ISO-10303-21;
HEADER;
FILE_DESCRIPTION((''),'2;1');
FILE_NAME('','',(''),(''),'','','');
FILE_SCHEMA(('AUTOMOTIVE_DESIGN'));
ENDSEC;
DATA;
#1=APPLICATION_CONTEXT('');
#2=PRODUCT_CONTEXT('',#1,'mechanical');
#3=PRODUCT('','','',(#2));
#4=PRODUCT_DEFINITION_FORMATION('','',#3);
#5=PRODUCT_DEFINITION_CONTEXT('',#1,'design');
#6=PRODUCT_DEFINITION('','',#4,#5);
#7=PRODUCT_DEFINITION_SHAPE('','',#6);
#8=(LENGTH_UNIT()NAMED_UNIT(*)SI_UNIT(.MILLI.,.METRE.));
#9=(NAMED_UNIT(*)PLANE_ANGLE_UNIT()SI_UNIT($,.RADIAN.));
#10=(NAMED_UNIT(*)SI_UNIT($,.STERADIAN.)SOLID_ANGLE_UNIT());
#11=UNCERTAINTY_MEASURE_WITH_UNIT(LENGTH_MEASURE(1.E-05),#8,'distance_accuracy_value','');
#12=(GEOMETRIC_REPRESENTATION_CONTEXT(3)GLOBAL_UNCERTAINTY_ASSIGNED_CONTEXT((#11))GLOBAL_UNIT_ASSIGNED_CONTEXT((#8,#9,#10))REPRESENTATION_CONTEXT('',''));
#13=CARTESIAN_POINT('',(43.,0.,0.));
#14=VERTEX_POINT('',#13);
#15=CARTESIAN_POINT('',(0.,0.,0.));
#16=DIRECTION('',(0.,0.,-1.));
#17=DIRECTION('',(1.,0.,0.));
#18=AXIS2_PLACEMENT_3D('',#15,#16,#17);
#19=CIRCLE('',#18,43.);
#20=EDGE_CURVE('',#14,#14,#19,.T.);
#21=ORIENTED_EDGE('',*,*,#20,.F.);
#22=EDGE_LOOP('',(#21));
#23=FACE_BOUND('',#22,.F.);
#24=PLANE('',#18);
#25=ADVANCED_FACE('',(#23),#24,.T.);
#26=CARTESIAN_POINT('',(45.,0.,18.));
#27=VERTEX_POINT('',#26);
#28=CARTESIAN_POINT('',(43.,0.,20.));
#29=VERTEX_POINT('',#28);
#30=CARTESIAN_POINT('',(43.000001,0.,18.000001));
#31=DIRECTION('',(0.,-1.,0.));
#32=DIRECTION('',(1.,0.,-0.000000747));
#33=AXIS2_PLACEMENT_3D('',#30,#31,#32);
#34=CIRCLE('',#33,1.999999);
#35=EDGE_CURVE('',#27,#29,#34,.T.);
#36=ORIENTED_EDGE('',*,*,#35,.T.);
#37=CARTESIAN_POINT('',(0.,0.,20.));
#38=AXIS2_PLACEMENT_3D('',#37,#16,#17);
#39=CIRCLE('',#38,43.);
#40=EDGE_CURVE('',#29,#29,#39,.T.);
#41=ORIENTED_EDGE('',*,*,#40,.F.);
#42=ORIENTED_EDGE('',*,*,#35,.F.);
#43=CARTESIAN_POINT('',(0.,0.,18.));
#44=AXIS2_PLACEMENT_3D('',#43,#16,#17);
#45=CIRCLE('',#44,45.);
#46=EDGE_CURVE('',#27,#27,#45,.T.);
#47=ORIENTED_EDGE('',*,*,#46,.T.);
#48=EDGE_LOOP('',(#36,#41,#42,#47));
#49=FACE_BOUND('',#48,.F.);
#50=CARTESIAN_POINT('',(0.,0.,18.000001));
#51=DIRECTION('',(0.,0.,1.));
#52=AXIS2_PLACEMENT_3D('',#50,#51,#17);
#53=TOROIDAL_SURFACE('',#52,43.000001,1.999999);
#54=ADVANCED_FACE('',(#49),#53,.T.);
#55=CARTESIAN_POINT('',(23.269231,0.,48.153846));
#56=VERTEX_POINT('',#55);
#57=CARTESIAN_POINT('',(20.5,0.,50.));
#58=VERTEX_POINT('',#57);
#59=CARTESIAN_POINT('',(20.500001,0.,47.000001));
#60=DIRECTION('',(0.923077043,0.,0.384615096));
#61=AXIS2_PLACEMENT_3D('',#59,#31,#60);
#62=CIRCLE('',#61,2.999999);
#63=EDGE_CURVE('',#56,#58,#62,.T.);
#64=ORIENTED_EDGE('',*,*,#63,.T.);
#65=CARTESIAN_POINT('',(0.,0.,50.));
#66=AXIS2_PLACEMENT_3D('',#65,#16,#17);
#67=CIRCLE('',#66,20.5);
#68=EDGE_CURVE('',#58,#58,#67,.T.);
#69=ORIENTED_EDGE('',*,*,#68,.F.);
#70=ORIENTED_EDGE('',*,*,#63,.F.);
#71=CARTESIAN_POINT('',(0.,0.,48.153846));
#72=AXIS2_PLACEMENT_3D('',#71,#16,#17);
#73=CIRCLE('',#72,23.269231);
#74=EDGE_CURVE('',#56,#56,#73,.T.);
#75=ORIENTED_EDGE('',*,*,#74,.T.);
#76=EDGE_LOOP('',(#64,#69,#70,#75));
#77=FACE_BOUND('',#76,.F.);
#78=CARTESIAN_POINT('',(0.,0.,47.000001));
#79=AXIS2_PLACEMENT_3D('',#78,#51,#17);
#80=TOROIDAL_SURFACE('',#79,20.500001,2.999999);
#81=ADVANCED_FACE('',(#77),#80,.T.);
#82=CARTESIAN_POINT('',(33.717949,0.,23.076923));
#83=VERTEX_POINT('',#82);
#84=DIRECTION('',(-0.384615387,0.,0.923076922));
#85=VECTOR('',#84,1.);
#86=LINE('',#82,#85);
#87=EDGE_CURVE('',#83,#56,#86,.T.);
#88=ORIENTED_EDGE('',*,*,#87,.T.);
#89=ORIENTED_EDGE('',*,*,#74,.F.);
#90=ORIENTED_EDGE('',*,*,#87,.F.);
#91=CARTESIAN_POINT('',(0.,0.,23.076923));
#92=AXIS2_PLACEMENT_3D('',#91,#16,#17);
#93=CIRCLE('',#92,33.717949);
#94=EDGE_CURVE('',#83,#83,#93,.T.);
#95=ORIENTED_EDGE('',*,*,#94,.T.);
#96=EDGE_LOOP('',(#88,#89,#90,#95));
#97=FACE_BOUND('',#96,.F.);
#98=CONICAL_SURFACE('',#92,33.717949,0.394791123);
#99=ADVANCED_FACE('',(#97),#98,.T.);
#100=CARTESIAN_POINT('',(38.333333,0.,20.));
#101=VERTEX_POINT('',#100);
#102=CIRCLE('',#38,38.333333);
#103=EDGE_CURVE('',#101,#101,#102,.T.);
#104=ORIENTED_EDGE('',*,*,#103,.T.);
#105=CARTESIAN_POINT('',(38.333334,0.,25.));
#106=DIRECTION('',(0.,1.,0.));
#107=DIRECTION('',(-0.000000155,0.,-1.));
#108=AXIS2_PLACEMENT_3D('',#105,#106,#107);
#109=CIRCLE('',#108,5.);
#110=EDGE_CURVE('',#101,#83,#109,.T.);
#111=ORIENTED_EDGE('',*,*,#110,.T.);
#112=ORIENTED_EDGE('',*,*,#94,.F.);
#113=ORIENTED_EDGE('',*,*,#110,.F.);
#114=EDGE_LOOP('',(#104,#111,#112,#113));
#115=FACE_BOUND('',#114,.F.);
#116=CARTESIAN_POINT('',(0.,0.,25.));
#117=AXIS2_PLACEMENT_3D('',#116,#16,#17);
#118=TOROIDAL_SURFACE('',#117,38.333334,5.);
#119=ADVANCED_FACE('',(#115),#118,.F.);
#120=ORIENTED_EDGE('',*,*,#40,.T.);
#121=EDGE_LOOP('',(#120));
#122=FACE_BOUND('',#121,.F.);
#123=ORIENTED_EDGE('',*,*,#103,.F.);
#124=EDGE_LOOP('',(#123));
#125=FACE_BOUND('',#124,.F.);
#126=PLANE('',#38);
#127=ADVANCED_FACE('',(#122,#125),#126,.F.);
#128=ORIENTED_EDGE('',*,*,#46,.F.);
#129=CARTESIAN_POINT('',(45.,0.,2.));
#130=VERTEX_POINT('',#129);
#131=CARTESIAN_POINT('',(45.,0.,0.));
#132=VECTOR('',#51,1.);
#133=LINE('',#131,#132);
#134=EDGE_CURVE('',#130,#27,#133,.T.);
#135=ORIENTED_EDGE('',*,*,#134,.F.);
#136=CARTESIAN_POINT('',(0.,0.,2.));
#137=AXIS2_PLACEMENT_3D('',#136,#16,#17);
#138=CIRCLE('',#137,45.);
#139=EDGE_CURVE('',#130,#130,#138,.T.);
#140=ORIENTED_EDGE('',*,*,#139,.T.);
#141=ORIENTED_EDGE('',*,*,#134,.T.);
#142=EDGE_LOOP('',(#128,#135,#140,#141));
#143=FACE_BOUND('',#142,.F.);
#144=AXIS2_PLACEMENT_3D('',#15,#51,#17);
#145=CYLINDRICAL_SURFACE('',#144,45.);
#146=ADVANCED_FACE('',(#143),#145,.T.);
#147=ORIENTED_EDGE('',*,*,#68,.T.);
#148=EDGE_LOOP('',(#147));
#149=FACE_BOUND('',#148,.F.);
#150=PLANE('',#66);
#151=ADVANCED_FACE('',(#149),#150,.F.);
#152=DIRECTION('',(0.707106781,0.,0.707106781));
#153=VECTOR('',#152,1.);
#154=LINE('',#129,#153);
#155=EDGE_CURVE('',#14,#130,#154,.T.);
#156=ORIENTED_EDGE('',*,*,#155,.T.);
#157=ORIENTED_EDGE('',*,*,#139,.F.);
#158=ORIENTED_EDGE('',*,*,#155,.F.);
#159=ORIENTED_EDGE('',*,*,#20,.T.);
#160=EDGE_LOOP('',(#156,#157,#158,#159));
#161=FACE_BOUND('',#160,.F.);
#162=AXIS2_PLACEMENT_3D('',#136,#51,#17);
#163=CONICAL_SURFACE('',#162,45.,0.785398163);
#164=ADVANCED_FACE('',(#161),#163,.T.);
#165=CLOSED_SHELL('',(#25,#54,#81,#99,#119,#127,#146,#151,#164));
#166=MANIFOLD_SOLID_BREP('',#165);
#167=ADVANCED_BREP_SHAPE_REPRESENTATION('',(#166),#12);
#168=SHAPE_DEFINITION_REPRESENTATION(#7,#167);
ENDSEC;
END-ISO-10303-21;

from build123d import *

# Parameters (mm, degrees)
F2_SIZE = 2


with BuildPart() as f1:
    # F0 (on Front) → F1 (revolve)
    with BuildSketch(Plane.XZ):
        with BuildLine():
            Line((20.5, 50), (0, 50))
            Line((0, 50), (0, 0))
            Line((0, 0), (45, 0))
            Line((45, 0), (45, 18))
            ThreePointArc((45, 18), (44.414214, 19.414214), (43, 20))
            Line((43, 20), (38.333333, 20))
            ThreePointArc((38.333333, 20), (35.559832, 20.839749), (33.717949, 23.076923))
            Line((33.717949, 23.076923), (23.269231, 48.153846))
            ThreePointArc((23.269231, 48.153846), (22.164101, 49.496151), (20.5, 50))
        make_face()
    revolve(axis=Axis((0, 0, 4.13416), (0, 0, -1)))

    # F2
    f2_edges = [f1.edges().sort_by_distance(p)[0] for p in [
        (-45, 0, 0),
    ]]
    chamfer(f2_edges, length=F2_SIZE)


solid = f1.part
